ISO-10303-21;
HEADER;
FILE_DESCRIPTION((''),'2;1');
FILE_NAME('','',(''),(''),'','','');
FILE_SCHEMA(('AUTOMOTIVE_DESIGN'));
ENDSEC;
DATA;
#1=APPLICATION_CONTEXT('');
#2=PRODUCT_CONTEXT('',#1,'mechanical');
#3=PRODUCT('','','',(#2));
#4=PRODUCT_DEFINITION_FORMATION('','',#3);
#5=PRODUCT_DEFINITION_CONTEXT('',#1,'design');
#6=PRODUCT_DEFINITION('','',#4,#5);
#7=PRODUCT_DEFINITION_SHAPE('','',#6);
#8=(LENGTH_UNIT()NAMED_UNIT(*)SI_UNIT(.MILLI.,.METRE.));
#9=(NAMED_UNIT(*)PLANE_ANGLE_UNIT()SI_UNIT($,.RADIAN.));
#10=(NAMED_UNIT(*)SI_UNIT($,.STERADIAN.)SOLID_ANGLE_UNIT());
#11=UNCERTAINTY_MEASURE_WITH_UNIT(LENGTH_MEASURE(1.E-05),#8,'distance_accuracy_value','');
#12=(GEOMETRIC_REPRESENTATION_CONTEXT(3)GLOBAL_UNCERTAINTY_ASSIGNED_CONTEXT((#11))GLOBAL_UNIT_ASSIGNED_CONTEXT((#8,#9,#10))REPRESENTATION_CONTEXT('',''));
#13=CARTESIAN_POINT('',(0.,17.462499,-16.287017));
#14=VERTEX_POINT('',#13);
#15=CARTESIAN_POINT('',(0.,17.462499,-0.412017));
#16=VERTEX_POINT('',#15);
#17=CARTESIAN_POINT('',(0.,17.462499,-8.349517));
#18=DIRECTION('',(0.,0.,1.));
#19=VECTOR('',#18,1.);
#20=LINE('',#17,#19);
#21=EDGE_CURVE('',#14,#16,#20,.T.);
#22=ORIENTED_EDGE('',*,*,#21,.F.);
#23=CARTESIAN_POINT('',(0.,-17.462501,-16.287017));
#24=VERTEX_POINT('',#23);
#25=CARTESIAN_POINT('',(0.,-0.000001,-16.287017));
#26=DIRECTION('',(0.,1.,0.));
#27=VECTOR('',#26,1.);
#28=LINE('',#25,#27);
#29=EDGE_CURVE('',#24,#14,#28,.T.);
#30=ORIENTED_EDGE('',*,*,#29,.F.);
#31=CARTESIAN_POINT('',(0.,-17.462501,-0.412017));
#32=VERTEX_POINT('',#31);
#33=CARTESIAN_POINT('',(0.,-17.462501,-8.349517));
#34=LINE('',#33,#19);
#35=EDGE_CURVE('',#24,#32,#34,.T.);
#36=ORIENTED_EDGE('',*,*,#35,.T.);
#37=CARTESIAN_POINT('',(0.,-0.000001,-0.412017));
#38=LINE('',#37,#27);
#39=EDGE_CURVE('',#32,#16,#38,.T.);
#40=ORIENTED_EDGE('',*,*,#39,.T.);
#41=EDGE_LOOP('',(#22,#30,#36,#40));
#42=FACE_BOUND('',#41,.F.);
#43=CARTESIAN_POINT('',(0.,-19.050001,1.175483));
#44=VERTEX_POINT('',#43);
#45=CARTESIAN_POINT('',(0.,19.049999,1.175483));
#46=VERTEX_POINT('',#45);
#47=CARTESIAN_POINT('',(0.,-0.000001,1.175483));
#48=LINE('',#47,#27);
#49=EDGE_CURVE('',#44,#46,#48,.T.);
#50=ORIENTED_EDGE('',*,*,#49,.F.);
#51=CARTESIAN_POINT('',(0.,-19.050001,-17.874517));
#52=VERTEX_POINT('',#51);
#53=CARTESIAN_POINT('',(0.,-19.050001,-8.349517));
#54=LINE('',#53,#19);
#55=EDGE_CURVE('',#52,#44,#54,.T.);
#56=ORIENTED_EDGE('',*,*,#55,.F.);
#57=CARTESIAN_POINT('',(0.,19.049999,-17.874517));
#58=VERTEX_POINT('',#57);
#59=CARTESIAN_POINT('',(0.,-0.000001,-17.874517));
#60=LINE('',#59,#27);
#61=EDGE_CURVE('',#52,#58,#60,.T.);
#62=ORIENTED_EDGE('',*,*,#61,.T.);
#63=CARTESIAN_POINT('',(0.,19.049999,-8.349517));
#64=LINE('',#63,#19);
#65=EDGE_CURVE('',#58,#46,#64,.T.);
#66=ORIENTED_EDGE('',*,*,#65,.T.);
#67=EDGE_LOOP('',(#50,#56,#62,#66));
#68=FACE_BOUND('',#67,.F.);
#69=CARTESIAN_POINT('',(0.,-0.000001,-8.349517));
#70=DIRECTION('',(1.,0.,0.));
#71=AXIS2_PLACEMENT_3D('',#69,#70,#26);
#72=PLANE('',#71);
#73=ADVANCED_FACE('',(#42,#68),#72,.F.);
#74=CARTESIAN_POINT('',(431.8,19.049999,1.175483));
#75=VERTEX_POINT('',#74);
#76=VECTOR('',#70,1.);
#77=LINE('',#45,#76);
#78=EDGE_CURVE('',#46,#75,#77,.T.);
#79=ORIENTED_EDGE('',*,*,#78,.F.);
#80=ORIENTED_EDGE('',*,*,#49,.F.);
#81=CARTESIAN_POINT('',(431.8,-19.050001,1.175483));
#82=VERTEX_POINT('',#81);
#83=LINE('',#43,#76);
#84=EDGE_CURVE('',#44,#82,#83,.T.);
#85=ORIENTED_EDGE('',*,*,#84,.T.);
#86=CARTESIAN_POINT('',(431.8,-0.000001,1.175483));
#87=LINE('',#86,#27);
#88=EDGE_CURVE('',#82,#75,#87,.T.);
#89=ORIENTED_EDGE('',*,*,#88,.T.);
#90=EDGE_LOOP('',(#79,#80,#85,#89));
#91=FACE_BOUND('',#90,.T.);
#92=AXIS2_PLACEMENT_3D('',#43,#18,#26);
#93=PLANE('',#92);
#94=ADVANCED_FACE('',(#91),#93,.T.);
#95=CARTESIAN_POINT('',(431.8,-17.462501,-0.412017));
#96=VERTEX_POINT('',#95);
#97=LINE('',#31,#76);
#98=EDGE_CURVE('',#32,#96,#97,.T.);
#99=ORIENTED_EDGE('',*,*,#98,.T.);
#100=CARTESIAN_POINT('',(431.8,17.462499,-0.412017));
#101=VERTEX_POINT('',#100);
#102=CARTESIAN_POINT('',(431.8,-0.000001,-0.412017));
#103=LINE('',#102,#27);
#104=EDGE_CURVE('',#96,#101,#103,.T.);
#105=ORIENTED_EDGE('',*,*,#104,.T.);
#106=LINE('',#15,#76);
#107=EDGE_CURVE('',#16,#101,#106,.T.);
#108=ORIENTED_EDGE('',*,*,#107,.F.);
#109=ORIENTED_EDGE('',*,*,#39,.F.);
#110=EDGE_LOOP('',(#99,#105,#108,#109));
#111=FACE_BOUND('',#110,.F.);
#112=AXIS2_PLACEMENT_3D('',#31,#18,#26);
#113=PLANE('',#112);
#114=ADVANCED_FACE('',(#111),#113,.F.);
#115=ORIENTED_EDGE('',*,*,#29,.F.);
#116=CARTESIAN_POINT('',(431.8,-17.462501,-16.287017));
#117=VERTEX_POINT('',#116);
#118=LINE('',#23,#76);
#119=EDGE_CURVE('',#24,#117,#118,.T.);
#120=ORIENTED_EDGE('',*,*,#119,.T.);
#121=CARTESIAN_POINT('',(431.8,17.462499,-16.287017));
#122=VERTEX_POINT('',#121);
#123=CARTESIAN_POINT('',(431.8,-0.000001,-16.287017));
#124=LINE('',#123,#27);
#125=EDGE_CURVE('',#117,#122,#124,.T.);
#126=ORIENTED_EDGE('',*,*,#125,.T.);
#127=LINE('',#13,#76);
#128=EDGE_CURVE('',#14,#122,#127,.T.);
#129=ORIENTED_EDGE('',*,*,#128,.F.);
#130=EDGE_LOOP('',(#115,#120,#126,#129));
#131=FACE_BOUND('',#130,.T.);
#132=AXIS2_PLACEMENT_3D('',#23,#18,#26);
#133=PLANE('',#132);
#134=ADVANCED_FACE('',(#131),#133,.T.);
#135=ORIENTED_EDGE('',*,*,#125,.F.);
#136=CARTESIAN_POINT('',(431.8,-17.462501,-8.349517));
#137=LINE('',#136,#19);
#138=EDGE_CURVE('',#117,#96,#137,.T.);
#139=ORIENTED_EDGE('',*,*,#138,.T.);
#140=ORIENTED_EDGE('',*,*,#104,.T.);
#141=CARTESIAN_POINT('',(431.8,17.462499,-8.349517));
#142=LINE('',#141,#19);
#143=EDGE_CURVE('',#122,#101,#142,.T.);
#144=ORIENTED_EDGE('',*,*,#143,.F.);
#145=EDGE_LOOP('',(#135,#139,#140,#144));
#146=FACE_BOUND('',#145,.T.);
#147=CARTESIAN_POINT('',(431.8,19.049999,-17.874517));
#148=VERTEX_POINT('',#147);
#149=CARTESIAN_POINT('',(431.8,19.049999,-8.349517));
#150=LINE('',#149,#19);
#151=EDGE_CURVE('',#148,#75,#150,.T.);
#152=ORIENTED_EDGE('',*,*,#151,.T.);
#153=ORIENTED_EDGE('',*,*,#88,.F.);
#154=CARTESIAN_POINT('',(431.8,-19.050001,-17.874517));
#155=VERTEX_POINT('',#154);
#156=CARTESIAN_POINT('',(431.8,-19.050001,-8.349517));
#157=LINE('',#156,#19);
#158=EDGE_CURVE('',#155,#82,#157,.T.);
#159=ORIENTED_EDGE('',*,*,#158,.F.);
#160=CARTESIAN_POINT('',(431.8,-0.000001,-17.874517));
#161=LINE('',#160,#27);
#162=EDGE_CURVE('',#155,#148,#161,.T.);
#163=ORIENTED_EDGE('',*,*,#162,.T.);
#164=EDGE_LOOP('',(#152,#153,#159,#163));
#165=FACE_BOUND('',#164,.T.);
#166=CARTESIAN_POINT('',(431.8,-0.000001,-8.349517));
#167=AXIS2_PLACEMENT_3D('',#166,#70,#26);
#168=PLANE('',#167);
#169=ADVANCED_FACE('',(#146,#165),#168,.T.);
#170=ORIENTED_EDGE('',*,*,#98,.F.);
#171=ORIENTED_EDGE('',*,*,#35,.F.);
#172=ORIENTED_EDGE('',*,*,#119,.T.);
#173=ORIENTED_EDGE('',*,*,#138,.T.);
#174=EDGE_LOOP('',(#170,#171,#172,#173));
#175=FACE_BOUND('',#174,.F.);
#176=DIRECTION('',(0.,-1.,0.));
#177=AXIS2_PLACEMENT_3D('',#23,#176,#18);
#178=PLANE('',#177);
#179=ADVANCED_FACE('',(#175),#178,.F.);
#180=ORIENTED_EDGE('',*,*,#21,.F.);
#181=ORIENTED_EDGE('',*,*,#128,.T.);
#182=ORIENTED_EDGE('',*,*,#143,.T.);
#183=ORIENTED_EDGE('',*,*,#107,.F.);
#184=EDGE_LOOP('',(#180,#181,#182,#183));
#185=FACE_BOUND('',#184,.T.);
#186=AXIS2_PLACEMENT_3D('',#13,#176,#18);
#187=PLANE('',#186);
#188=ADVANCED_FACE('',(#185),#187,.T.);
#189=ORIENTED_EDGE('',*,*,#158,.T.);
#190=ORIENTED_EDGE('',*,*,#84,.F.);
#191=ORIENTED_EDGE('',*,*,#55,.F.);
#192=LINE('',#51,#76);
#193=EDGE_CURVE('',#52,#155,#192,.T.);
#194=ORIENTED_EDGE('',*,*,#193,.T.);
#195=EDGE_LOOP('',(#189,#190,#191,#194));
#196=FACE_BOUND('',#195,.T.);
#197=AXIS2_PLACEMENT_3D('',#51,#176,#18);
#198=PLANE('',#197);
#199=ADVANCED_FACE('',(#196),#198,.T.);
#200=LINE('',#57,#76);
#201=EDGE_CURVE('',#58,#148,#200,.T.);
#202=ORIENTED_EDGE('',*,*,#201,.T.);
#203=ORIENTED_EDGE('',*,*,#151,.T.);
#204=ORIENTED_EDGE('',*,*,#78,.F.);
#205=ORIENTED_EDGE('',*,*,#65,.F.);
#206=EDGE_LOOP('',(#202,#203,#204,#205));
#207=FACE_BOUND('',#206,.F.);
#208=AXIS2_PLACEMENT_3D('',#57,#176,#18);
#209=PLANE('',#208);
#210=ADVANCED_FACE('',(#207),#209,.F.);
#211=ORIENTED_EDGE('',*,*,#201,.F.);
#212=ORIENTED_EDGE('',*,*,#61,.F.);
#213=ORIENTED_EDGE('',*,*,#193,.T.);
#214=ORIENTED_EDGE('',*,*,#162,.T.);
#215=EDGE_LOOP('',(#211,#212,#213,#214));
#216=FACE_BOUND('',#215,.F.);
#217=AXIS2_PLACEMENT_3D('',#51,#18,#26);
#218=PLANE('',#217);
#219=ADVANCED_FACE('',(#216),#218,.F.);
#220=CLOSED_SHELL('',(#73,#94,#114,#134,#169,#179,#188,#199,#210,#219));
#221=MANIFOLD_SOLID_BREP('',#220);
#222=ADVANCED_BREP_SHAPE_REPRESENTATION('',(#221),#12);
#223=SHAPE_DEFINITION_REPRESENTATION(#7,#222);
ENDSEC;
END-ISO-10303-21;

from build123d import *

# Parameters (mm, degrees)
F0_W     = 38.1
F0_H     = 19.05
F0_W_2   = 34.925
F0_H_2   = 15.875
F1_DEPTH = 431.8


with BuildPart() as f1:
    # F0 (on Right) → F1 (new body)
    with BuildSketch(Plane.YZ):
        with Locations((-1e-06, -8.349517)):
            Rectangle(F0_W, F0_H)
        with Locations((-1e-06, -8.349517)):
            Rectangle(F0_W_2, F0_H_2, mode=Mode.SUBTRACT)
    extrude(amount=F1_DEPTH)


solid = f1.part
